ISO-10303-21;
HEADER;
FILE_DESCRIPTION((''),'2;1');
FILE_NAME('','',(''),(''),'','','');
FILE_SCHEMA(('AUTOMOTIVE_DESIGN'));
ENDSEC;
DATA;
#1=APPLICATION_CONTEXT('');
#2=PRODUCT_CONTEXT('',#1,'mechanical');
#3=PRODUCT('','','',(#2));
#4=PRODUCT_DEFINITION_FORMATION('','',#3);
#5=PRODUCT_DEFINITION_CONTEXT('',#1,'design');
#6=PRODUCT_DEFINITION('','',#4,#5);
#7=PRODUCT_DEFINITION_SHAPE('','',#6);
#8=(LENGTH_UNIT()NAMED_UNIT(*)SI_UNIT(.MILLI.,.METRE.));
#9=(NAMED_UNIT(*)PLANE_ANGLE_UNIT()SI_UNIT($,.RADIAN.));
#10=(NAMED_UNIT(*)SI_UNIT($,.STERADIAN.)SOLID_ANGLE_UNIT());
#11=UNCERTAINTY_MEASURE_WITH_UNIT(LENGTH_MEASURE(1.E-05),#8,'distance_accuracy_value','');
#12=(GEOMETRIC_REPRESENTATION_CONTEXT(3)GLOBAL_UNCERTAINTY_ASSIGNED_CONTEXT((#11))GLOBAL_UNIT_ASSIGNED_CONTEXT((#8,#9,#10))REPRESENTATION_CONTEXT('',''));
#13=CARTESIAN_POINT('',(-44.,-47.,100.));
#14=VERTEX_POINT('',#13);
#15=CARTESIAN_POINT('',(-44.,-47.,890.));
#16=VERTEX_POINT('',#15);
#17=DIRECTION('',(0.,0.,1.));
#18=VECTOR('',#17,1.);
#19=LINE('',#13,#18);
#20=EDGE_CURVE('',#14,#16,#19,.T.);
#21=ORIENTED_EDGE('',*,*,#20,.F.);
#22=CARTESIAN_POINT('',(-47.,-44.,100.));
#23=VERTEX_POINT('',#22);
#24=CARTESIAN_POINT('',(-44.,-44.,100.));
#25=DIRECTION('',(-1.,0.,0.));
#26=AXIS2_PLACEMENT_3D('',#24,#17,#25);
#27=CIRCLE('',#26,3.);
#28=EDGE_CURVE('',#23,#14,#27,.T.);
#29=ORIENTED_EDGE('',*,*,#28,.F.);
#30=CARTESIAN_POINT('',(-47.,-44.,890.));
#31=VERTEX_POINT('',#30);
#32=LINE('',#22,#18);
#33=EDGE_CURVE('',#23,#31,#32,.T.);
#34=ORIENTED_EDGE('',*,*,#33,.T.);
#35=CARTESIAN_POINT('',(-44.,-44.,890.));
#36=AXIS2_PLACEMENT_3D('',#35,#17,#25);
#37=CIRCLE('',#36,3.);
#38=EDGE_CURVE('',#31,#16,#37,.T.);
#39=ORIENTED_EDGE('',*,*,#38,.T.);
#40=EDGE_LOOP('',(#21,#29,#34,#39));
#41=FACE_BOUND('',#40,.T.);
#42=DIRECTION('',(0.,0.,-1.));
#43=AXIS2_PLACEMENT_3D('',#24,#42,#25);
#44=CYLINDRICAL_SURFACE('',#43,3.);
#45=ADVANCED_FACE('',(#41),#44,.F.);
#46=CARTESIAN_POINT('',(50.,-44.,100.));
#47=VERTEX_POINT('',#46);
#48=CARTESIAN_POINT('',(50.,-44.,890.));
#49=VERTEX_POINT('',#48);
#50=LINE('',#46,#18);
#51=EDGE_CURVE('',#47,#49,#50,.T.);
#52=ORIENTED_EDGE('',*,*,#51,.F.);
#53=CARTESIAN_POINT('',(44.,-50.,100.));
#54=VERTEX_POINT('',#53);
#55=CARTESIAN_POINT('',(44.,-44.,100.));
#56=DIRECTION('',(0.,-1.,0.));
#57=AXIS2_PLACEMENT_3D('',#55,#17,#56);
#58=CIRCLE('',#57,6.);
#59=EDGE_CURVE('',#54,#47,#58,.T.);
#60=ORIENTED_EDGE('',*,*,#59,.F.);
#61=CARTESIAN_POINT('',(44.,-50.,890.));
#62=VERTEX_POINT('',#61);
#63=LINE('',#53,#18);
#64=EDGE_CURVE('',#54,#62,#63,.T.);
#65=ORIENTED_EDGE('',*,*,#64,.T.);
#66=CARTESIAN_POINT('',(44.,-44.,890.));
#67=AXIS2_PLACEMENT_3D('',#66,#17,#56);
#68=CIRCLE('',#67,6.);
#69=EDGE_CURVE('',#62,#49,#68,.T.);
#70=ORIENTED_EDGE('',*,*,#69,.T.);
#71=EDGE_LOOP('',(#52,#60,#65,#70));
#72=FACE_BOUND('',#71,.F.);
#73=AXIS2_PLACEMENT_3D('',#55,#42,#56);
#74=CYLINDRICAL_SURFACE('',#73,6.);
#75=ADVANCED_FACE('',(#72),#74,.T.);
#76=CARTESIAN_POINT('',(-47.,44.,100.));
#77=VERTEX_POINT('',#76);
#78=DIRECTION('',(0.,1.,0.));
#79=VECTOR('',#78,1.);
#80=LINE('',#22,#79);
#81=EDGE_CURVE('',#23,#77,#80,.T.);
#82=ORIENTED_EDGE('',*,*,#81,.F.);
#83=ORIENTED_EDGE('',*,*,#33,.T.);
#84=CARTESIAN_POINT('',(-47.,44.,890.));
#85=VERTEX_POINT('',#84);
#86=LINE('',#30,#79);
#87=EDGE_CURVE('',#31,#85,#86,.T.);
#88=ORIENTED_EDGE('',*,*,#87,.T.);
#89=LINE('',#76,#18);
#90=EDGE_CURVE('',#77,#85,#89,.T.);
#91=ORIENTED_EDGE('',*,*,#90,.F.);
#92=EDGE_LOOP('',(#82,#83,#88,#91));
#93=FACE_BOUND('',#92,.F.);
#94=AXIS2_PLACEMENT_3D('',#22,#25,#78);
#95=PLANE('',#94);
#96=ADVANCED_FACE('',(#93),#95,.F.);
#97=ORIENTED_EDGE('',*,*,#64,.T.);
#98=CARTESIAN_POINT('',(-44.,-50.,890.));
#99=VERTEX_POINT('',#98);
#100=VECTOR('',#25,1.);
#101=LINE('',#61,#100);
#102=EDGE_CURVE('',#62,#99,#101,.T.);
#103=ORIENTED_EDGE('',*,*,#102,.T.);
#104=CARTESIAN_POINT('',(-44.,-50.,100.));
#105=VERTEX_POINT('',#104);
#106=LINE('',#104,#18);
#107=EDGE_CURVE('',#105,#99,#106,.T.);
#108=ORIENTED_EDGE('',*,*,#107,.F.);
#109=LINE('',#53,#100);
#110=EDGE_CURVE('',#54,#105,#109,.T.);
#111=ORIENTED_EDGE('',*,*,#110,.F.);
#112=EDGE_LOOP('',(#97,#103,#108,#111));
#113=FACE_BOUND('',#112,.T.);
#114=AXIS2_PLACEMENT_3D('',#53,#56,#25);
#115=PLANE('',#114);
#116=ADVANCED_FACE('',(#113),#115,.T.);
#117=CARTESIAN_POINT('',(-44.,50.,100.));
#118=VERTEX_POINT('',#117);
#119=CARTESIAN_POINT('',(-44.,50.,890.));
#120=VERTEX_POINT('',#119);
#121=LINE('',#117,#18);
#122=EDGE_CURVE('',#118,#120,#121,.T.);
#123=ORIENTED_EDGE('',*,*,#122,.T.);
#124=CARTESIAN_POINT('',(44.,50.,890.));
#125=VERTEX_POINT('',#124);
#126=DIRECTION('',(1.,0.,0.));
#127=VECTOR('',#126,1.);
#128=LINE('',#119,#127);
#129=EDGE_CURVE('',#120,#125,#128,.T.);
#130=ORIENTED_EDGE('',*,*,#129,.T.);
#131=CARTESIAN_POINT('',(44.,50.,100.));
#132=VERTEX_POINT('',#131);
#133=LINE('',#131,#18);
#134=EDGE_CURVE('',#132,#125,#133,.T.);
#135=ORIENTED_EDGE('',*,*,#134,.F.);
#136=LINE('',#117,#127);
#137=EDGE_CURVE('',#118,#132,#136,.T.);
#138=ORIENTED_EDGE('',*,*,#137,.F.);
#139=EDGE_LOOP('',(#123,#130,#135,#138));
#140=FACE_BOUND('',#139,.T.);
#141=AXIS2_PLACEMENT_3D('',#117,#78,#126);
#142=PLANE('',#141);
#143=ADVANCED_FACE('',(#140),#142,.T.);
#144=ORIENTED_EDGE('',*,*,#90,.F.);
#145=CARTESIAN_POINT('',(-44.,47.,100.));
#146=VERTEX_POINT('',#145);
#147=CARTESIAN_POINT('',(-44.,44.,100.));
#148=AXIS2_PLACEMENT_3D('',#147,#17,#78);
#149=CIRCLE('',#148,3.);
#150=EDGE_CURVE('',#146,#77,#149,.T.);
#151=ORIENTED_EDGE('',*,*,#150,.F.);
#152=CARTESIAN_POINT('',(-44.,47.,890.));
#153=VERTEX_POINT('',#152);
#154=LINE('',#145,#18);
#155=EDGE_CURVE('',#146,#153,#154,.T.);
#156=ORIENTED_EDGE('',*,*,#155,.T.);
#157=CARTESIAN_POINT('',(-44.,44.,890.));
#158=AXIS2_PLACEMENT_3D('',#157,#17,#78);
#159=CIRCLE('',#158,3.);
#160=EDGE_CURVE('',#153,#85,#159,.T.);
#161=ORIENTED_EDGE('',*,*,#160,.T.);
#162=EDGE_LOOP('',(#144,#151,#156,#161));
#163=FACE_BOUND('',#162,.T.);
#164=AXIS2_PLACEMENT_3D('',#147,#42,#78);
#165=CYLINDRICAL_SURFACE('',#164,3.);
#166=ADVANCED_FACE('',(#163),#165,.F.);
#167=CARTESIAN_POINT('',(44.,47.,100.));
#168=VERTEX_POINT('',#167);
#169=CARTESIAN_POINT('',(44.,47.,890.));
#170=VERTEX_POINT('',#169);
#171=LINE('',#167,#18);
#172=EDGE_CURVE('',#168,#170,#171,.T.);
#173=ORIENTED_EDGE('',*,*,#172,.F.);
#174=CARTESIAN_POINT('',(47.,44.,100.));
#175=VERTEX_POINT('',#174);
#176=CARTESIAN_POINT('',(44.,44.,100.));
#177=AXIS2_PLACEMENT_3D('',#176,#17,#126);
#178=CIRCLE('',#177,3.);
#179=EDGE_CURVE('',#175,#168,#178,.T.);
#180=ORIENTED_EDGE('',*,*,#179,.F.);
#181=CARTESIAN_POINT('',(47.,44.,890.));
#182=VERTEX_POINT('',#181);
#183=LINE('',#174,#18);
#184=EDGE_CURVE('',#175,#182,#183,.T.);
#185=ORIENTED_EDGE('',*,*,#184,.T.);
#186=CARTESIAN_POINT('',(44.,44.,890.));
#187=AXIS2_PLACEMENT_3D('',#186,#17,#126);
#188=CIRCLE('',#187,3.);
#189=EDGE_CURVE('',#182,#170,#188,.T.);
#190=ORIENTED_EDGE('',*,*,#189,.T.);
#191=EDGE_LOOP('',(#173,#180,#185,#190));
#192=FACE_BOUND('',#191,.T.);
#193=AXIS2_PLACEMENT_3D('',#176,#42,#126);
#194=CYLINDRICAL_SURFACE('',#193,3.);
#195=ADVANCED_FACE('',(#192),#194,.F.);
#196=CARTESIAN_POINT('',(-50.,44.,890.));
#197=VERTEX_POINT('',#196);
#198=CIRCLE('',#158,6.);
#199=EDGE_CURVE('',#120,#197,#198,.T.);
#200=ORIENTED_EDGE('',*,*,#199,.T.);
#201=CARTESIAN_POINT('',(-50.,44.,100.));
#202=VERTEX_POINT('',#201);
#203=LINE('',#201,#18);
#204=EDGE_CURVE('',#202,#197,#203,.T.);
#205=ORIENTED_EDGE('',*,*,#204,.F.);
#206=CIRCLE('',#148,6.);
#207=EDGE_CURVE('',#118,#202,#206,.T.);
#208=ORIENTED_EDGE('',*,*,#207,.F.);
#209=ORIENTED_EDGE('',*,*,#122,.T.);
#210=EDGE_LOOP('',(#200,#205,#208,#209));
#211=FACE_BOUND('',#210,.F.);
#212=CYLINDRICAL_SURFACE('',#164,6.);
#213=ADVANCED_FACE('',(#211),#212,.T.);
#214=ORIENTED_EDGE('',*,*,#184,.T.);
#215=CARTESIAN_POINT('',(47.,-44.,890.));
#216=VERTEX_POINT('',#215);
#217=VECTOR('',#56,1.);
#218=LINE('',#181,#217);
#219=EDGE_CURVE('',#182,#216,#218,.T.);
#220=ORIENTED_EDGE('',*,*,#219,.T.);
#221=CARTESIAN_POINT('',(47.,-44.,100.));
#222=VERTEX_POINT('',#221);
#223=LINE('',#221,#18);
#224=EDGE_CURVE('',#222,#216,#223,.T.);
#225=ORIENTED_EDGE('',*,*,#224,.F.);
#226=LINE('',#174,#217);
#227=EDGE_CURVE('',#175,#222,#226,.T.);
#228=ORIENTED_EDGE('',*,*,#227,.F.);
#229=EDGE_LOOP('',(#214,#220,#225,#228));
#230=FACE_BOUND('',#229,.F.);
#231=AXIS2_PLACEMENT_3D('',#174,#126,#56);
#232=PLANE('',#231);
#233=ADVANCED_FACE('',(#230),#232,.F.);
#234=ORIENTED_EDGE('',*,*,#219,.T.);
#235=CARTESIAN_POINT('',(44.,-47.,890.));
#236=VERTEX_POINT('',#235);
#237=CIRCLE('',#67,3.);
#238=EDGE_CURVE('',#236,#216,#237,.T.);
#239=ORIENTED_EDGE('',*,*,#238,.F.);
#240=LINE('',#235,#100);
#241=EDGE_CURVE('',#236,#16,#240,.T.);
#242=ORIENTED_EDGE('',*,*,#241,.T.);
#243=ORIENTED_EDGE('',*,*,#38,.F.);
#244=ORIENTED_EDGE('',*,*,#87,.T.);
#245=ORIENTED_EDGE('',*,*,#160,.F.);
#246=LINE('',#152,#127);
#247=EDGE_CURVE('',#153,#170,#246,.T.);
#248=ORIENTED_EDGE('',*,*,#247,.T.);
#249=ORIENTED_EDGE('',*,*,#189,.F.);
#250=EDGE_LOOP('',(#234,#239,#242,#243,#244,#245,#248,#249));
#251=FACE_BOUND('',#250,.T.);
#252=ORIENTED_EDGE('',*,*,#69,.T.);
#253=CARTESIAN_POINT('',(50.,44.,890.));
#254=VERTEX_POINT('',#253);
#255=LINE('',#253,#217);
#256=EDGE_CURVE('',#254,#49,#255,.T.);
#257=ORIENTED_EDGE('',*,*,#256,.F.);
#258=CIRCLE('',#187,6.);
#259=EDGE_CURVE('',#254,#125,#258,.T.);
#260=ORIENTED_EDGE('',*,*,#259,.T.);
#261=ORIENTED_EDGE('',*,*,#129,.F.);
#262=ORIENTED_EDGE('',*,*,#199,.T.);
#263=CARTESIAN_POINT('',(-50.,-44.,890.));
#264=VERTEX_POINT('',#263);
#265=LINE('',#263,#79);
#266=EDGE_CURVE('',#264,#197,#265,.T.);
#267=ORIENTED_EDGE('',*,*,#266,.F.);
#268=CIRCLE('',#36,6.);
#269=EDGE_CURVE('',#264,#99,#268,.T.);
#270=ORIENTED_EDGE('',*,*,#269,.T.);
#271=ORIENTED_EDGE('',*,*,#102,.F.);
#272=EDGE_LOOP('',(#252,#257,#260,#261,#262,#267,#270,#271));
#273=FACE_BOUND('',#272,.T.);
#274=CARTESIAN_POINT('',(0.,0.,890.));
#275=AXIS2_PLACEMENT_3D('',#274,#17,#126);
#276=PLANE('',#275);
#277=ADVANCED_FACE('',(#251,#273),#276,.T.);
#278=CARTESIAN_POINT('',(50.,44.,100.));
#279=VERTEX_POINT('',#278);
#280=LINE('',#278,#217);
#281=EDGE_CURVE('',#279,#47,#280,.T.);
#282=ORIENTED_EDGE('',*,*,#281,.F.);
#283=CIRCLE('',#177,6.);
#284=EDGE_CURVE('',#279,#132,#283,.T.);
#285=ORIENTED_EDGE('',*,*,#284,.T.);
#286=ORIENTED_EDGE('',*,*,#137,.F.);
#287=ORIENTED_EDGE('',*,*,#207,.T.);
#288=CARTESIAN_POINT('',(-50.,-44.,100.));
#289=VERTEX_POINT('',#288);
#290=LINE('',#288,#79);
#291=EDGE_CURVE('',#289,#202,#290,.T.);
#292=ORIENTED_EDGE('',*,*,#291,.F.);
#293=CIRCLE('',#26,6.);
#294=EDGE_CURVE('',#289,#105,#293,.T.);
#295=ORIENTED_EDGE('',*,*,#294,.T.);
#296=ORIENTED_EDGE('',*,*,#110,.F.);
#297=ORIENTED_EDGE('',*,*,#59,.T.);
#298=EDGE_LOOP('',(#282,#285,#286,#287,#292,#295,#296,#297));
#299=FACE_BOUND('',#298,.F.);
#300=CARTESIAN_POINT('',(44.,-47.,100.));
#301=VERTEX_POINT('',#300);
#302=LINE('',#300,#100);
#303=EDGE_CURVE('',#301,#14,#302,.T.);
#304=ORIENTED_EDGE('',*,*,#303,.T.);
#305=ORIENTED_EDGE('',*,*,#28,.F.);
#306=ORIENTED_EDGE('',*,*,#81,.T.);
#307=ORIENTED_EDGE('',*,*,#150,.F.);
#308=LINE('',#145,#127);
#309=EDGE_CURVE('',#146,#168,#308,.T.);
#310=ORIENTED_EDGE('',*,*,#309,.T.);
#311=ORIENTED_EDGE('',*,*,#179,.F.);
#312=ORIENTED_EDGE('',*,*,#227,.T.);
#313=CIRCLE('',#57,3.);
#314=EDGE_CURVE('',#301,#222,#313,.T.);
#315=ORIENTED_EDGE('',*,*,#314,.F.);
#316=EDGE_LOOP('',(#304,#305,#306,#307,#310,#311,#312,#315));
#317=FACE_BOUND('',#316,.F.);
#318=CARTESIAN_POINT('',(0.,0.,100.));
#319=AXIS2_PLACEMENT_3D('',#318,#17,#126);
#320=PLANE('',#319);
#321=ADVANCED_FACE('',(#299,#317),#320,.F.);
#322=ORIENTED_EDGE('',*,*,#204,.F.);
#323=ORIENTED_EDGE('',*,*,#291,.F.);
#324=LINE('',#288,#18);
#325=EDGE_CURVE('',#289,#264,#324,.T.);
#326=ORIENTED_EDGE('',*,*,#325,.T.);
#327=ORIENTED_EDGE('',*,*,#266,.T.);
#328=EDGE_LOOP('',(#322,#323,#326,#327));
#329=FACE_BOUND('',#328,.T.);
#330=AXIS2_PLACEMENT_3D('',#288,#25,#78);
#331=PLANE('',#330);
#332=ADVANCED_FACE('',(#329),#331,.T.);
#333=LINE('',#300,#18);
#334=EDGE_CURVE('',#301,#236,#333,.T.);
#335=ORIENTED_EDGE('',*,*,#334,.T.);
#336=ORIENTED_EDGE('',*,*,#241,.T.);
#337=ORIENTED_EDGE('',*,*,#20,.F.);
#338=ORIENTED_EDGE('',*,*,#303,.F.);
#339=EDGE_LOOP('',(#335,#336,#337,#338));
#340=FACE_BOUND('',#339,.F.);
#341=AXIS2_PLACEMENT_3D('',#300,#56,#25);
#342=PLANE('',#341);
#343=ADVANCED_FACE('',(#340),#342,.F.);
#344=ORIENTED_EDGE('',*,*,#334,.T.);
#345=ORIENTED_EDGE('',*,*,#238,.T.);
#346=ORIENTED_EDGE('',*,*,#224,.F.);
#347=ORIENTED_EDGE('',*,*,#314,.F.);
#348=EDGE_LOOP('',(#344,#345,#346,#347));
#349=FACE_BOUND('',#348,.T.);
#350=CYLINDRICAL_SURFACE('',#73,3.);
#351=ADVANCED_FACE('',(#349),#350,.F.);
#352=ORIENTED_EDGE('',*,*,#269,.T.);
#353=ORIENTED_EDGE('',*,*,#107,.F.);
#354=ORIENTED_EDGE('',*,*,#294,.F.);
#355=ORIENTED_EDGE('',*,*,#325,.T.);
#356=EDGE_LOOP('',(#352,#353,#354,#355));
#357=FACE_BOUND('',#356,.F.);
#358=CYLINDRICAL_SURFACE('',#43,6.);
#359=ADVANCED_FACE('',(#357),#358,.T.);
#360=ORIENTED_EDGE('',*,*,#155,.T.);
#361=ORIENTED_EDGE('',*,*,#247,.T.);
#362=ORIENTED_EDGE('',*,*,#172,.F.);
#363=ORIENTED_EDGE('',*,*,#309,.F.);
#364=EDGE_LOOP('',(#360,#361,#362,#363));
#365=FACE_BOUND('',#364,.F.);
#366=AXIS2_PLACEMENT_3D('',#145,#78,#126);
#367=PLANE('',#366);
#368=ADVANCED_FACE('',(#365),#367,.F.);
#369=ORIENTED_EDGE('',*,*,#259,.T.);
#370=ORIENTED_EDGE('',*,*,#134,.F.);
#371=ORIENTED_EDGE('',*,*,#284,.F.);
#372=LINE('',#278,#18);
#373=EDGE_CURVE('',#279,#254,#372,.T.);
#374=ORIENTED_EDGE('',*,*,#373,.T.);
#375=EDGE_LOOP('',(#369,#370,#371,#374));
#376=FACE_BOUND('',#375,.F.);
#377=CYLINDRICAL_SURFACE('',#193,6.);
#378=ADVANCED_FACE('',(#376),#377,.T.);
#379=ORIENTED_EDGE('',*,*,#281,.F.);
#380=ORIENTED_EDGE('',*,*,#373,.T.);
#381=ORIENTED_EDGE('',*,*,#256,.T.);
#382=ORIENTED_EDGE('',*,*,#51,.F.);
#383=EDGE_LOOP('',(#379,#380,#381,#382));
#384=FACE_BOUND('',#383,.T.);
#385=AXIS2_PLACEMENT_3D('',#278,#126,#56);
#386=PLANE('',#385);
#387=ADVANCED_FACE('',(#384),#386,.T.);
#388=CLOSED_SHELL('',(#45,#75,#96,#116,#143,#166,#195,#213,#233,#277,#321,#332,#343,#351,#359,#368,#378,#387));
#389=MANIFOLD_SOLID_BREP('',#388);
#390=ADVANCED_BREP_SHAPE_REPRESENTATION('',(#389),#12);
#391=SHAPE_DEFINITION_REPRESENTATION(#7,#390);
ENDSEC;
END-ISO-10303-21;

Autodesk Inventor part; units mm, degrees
ref_plane "YZ Plane" through (0, 0, 0) normal (1, 0, 0) x (0, 1, 0)
ref_plane "Start plane" through (0, 0, 100) normal (0, 0, 1) x (1, 0, 0)
ref_plane "End plane" through (0, 0, 890) normal (0, 0, 1) x (1, 0, 0)
sketch "Sketch" plane through (0, 0, 0) normal (0, 0, 1) x (1, 0, 0)
  line L0 (-50, -44) -> (-50, 44)
  line L1 (-44, 50) -> (44, 50)
  line L2 (50, 44) -> (50, -44)
  line L3 (44, -50) -> (-44, -50)
  arc A0 (-50, -44) -> (-44, -50) centre (-44, -44) ccw
  arc A1 (50, 44) -> (44, 50) centre (44, 44) ccw
  arc A2 (-44, 50) -> (-50, 44) centre (-44, 44) ccw
  arc A3 (44, -50) -> (50, -44) centre (44, -44) ccw
  arc A4 (-44, 47) -> (-47, 44) centre (-44, 44) ccw
  line L4 (-44, 47) -> (44, 47)
  arc A5 (47, 44) -> (44, 47) centre (44, 44) ccw
  line L5 (47, 44) -> (47, -44)
  arc A6 (44, -47) -> (47, -44) centre (44, -44) ccw
  line L6 (44, -47) -> (-44, -47)
  arc A7 (-47, -44) -> (-44, -47) centre (-44, -44) ccw
  line L7 (-47, -44) -> (-47, 44)
  line L8 (0, 71.7397) -> (0, -71.7397) construction
  line L9 (-71.7397, 0) -> (71.7397, 0) construction
  dimension "d7" = 6
  dimension "d9" = 100
  dimension "d11" = 100
  dimension "d12" = 3
  dimension "d15" = 50
  dimension "d16" = 50
extrude "Body" add sketch "Sketch" along normal up to surface (790 mm away) from surface at 100
sketch "Sketch3" plane through (0, 0, 0) normal (0, 0, 1) x (1, 0, 0)
  line L0 (0, 0) -> (10, 0)
ref_plane "Work Plane3" through (0, 0, 0) normal (0, -1, 0) x (1, 0, 0)
sketch "Sketch4" plane through (0, 0, 0) normal (0, -1, 0) x (1, 0, 0)
  line L0 (-2, 100) -> (12, 100) projected
  line L1 (-2, 890) -> (12, 890) projected
  dimension "d18" = 790
equation "\"d7\" = G_IR"
equation "\"d9\" = G_W"
equation "\"d11\" = G_H"
equation "\"d12\" = G_T"
equation "\"d15\" = 0.5 * d9"
equation "\"d16\" = 0.5 * d11"
equation "\"d3\" = G_L"
equation "\"G_W\" = 100"
equation "\"G_H\" = 100"
equation "\"G_T\" = 3"
equation "\"G_IR\" = 6"
equation "\"G_L\" = d18"
equation "\"G_OFFSET_END\" = 0"
properties part number "ISO 10799-2 - 100x100x3 - 790" material "Steel, Mild"
